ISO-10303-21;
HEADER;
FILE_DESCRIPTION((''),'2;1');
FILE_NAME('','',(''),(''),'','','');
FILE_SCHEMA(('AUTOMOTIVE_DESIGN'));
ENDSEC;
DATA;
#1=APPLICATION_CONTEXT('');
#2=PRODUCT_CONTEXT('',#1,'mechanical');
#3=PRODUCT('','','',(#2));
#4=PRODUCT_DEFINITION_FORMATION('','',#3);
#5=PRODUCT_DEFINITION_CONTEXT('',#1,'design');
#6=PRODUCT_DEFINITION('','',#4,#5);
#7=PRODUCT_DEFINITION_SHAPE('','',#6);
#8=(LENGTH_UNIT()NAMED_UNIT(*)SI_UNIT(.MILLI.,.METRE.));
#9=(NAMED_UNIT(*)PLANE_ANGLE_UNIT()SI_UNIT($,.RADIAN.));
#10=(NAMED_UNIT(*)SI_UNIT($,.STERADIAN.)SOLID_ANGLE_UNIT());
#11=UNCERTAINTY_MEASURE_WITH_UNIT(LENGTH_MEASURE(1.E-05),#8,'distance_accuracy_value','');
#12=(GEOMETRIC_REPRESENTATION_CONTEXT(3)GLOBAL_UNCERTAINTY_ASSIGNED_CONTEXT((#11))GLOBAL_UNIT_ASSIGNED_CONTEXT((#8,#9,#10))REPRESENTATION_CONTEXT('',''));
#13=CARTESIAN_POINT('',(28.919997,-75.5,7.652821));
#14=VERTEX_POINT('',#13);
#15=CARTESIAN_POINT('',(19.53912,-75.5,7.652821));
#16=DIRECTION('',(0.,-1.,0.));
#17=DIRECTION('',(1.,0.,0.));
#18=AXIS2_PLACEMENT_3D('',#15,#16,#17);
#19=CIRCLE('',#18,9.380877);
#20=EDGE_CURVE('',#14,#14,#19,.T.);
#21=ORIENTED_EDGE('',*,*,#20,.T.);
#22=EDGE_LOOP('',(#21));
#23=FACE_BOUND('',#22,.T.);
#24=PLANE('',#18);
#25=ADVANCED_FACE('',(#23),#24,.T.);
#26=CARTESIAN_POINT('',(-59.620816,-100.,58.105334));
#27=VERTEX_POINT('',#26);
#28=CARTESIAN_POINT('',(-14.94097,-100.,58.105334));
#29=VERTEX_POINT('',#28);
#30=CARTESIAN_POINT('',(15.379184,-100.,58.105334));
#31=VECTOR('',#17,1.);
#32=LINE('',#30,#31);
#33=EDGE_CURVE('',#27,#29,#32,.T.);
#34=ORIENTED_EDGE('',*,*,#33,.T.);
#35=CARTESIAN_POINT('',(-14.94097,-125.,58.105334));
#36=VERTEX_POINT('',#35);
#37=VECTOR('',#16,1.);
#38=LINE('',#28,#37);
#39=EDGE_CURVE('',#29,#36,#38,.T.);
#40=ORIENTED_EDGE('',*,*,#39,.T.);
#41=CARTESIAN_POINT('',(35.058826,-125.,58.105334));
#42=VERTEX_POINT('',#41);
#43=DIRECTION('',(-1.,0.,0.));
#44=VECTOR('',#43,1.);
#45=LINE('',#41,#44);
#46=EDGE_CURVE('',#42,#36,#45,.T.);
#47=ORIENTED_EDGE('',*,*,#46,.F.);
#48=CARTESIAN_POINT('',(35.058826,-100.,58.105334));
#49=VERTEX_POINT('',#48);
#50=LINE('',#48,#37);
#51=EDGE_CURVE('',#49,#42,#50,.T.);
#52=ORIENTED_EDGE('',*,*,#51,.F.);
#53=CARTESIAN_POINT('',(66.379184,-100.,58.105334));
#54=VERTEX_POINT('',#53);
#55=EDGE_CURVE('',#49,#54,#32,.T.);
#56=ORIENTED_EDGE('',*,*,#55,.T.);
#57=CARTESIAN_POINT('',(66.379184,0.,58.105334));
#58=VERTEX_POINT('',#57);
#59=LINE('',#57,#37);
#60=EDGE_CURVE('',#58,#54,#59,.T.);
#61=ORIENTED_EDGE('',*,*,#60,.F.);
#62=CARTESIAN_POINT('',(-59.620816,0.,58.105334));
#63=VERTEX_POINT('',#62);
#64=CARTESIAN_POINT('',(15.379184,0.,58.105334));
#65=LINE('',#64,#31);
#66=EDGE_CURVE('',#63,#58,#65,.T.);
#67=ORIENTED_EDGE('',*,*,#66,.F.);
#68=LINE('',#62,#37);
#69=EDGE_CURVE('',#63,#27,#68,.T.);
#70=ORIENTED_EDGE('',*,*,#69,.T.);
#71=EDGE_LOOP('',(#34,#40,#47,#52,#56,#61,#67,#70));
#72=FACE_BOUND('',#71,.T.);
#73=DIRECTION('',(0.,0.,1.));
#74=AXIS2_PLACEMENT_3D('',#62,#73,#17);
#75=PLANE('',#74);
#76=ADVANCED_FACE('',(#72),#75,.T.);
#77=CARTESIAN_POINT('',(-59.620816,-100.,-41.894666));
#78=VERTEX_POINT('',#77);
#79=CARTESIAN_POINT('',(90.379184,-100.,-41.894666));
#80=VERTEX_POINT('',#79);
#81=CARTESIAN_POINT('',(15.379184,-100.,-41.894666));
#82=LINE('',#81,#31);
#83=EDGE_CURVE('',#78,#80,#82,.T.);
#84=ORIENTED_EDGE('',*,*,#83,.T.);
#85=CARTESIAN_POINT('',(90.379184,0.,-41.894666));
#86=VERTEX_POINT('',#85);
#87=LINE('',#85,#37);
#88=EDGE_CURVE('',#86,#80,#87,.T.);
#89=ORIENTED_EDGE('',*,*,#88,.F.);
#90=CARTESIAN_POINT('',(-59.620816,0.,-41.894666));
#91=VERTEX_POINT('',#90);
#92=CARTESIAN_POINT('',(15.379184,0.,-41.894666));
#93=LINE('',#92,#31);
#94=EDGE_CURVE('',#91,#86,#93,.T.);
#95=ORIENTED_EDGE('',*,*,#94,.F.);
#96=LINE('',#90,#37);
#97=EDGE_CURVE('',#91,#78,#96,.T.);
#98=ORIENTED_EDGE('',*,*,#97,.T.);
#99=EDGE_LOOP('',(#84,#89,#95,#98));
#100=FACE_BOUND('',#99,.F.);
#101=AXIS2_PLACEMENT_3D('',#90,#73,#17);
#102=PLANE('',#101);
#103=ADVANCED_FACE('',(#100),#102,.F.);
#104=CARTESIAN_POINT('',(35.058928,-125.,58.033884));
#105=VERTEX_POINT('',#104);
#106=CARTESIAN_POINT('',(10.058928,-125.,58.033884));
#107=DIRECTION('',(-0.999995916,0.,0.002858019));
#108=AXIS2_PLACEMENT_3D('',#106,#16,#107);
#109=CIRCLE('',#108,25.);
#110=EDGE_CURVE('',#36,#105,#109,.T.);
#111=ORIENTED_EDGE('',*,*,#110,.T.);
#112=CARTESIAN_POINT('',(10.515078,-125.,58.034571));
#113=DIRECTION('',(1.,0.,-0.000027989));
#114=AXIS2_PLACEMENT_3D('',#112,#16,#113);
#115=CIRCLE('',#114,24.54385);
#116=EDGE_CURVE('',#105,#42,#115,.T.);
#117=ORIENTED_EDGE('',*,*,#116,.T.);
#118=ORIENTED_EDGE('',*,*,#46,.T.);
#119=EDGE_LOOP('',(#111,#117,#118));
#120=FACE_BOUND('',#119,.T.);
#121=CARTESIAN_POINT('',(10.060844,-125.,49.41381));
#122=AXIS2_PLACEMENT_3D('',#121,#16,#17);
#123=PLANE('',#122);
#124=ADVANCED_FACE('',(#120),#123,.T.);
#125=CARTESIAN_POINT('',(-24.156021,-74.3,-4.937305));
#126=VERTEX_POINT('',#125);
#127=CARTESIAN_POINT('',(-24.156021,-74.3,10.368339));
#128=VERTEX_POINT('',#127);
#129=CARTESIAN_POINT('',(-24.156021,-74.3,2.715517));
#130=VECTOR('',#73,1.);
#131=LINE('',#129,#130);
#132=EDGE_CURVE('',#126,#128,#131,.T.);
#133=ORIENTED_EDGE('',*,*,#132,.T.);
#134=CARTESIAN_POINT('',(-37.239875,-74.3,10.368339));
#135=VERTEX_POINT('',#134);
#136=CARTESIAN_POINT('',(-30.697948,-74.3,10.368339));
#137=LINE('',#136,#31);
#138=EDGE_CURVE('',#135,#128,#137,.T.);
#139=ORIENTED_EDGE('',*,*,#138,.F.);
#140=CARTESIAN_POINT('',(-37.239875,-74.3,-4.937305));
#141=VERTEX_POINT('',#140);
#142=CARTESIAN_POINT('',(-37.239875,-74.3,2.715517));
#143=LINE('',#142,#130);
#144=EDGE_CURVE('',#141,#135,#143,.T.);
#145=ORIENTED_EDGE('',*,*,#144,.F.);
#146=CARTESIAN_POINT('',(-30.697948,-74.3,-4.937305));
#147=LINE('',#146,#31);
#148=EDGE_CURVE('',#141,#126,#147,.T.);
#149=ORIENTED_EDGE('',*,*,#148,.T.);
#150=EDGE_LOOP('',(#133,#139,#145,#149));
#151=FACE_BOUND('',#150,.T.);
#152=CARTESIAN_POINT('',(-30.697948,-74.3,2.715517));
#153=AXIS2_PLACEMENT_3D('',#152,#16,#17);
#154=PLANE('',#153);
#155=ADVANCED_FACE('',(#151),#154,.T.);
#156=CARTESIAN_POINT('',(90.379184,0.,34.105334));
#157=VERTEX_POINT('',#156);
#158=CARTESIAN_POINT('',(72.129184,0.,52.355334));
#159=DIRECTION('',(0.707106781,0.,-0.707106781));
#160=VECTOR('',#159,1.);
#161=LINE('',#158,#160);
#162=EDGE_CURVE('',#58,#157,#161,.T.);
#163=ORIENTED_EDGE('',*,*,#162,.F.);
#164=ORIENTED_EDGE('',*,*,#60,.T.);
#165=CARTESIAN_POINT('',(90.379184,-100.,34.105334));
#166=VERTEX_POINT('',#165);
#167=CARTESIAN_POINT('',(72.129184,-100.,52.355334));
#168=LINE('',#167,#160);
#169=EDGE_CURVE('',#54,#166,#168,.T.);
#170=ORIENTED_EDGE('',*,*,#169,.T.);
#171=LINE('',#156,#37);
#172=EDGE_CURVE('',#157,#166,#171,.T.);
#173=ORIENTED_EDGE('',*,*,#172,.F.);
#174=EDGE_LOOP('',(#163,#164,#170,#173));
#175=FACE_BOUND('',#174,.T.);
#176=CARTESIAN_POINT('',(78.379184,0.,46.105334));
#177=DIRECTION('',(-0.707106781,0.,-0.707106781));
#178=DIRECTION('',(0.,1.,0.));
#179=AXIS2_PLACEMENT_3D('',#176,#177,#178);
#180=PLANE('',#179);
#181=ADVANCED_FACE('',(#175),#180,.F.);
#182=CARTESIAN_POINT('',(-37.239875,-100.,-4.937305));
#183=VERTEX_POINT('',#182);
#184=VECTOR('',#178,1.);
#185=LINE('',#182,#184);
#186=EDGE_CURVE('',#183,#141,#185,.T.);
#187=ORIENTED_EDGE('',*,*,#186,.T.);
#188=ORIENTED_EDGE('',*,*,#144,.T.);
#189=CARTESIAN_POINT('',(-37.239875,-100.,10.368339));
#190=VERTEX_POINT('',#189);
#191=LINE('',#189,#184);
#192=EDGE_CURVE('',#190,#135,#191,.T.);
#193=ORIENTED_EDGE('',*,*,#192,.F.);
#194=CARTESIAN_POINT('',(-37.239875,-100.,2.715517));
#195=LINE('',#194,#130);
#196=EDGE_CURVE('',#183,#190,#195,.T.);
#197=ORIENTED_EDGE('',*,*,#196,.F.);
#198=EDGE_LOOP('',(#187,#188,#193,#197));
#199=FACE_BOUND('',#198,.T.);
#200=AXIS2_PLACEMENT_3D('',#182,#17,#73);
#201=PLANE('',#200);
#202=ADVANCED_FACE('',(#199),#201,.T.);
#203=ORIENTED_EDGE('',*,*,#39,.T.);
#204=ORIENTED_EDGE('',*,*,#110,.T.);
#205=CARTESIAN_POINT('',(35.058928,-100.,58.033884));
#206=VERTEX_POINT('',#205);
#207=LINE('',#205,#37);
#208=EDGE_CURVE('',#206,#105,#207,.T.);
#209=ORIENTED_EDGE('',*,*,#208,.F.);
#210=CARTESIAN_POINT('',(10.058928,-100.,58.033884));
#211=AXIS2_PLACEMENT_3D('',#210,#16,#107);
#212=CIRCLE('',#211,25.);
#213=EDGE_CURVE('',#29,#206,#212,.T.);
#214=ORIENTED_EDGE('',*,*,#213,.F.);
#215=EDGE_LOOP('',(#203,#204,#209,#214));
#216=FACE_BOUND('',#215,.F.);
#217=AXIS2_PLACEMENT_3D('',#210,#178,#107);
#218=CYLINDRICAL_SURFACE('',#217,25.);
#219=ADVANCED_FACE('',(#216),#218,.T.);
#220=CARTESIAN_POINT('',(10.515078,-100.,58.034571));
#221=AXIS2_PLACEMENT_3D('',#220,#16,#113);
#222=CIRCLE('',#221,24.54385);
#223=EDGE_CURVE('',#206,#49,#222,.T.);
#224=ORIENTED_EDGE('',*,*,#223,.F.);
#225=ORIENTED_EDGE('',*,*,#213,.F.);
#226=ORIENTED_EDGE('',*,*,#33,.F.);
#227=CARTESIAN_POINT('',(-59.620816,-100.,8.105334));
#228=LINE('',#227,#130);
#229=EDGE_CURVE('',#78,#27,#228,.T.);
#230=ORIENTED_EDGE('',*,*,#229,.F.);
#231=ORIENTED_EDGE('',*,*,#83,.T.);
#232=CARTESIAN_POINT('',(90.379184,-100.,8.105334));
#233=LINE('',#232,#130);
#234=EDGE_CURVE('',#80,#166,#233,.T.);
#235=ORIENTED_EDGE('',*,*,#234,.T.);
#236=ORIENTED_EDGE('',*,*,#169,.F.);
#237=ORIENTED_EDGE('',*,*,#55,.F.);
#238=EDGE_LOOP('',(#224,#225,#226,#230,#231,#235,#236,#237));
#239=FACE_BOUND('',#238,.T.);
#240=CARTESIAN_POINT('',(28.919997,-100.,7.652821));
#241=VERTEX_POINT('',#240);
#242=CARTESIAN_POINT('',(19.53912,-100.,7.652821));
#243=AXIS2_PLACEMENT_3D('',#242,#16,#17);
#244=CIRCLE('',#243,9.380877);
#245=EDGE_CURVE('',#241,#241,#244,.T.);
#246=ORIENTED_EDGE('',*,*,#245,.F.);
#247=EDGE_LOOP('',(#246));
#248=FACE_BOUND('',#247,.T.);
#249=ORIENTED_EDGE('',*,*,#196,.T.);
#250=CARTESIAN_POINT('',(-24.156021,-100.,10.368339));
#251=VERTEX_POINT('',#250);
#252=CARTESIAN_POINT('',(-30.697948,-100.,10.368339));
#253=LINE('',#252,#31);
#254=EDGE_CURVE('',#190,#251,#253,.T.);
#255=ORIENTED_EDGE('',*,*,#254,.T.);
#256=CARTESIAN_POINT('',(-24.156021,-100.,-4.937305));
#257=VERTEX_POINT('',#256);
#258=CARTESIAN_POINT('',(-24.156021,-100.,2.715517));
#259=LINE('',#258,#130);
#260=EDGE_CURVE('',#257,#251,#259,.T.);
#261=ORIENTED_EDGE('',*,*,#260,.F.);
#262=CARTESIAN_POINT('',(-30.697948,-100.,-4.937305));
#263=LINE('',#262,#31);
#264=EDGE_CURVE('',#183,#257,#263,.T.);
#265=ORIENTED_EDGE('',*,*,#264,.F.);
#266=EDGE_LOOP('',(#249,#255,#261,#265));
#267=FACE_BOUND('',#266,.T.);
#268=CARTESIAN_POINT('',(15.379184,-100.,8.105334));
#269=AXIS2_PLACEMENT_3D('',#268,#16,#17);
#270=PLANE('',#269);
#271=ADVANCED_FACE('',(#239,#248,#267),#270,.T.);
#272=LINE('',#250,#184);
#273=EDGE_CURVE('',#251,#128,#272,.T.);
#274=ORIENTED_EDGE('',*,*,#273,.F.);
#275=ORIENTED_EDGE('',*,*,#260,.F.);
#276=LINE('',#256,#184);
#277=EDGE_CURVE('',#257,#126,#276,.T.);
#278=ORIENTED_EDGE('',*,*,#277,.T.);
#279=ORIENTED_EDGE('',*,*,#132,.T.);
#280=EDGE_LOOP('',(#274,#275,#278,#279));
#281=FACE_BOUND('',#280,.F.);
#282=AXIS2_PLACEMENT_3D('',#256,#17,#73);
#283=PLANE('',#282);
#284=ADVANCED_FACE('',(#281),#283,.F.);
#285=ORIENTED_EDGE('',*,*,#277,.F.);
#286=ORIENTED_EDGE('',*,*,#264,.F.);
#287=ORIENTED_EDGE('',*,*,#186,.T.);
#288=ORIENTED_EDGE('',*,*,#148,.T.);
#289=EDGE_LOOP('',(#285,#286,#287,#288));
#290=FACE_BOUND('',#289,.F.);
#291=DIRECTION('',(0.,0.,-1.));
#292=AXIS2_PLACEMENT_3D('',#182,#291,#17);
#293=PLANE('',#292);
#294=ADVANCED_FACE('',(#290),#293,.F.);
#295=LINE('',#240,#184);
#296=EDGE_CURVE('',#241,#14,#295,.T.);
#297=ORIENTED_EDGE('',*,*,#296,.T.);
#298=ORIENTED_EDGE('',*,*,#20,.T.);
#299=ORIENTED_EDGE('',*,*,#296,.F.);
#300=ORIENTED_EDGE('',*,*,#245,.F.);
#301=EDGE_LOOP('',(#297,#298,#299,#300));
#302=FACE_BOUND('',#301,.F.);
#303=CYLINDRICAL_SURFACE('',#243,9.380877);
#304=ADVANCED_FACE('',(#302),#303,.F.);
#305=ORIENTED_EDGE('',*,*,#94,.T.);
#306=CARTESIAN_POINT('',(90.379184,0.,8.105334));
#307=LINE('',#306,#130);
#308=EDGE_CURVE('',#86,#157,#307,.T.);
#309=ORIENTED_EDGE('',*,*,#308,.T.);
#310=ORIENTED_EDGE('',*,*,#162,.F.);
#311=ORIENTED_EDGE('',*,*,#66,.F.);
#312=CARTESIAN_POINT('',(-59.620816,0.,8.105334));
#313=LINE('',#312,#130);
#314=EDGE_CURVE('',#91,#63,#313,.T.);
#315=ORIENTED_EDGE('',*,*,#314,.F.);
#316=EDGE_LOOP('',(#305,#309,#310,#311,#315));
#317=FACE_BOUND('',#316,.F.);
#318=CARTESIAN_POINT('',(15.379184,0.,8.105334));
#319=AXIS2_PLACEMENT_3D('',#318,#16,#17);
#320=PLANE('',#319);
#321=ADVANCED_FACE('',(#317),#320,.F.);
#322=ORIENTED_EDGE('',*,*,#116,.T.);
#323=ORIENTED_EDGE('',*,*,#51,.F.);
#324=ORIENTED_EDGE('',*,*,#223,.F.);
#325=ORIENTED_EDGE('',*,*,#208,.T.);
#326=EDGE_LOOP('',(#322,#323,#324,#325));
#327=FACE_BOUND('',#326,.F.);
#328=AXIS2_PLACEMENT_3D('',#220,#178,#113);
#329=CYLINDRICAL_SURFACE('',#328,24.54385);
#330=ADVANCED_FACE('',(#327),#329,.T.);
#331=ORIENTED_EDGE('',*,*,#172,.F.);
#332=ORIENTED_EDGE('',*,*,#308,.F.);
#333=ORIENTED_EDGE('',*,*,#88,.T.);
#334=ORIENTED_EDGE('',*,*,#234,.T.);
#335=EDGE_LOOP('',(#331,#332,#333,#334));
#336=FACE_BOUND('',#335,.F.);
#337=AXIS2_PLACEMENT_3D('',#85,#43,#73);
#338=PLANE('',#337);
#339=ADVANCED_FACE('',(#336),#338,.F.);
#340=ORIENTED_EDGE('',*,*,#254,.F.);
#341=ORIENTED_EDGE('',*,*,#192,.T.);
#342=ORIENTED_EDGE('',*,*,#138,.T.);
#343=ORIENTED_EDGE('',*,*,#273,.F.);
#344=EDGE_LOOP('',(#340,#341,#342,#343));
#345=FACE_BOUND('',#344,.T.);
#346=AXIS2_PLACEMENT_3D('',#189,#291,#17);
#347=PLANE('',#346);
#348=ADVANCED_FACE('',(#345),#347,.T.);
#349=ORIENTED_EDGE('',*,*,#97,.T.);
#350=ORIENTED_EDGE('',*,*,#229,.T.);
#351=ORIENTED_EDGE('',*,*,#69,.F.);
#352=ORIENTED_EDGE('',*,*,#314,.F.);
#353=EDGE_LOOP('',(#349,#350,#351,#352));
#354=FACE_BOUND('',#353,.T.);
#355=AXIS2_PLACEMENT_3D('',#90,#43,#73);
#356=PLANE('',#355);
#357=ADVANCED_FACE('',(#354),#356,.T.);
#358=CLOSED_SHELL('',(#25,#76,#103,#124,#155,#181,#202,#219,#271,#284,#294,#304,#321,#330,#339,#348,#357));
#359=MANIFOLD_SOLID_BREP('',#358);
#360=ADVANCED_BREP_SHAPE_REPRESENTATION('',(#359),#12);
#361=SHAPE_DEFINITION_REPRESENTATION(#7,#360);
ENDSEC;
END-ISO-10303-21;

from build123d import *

# Parameters (mm, degrees)
F0_W     = 150
F0_H     = 100
F1_DEPTH = 100
F4_DEPTH = 25
F5_SIZE  = 24
F6_R     = 9.380877
F7_DEPTH = 24.5
F8_W     = 13.083855
F8_H     = 15.305644
F9_DEPTH = 25.7


with BuildPart() as f1:
    # F0 (on Front) → F1 (new body)
    with BuildSketch(Plane.XZ):
        with Locations((15.379184, 8.105334)):
            Rectangle(F0_W, F0_H)
    extrude(amount=F1_DEPTH)

    # F3 (on face) → F4 (join)
    with BuildSketch(Plane.XZ.offset(100)):
        with BuildLine():
            ThreePointArc((-14.94097, 58.105334), (10.023203, 33.033909), (35.058928, 58.033884))
            ThreePointArc((35.058928, 58.033884), (35.058903, 58.069609), (35.058826, 58.105334))
            Line((35.058826, 58.105334), (-14.94097, 58.105334))
        make_face()
    extrude(amount=F4_DEPTH)

    # F5
    f5_edges = [f1.edges().sort_by_distance(p)[0] for p in [
        (90.379184, -50, 58.105334),
    ]]
    chamfer(f5_edges, length=F5_SIZE)

    # F6 (on face) → F7 (cut)
    with BuildSketch(Plane.XZ.offset(100)):
        with Locations((19.53912, 7.652821)):
            Circle(F6_R)
    extrude(amount=-F7_DEPTH, mode=Mode.SUBTRACT)

    # F8 (on face) → F9 (cut)
    with BuildSketch(Plane.XZ.offset(100)):
        with Locations((-30.697948, 2.715517)):
            Rectangle(F8_W, F8_H)
    extrude(amount=-F9_DEPTH, mode=Mode.SUBTRACT)


solid = f1.part
